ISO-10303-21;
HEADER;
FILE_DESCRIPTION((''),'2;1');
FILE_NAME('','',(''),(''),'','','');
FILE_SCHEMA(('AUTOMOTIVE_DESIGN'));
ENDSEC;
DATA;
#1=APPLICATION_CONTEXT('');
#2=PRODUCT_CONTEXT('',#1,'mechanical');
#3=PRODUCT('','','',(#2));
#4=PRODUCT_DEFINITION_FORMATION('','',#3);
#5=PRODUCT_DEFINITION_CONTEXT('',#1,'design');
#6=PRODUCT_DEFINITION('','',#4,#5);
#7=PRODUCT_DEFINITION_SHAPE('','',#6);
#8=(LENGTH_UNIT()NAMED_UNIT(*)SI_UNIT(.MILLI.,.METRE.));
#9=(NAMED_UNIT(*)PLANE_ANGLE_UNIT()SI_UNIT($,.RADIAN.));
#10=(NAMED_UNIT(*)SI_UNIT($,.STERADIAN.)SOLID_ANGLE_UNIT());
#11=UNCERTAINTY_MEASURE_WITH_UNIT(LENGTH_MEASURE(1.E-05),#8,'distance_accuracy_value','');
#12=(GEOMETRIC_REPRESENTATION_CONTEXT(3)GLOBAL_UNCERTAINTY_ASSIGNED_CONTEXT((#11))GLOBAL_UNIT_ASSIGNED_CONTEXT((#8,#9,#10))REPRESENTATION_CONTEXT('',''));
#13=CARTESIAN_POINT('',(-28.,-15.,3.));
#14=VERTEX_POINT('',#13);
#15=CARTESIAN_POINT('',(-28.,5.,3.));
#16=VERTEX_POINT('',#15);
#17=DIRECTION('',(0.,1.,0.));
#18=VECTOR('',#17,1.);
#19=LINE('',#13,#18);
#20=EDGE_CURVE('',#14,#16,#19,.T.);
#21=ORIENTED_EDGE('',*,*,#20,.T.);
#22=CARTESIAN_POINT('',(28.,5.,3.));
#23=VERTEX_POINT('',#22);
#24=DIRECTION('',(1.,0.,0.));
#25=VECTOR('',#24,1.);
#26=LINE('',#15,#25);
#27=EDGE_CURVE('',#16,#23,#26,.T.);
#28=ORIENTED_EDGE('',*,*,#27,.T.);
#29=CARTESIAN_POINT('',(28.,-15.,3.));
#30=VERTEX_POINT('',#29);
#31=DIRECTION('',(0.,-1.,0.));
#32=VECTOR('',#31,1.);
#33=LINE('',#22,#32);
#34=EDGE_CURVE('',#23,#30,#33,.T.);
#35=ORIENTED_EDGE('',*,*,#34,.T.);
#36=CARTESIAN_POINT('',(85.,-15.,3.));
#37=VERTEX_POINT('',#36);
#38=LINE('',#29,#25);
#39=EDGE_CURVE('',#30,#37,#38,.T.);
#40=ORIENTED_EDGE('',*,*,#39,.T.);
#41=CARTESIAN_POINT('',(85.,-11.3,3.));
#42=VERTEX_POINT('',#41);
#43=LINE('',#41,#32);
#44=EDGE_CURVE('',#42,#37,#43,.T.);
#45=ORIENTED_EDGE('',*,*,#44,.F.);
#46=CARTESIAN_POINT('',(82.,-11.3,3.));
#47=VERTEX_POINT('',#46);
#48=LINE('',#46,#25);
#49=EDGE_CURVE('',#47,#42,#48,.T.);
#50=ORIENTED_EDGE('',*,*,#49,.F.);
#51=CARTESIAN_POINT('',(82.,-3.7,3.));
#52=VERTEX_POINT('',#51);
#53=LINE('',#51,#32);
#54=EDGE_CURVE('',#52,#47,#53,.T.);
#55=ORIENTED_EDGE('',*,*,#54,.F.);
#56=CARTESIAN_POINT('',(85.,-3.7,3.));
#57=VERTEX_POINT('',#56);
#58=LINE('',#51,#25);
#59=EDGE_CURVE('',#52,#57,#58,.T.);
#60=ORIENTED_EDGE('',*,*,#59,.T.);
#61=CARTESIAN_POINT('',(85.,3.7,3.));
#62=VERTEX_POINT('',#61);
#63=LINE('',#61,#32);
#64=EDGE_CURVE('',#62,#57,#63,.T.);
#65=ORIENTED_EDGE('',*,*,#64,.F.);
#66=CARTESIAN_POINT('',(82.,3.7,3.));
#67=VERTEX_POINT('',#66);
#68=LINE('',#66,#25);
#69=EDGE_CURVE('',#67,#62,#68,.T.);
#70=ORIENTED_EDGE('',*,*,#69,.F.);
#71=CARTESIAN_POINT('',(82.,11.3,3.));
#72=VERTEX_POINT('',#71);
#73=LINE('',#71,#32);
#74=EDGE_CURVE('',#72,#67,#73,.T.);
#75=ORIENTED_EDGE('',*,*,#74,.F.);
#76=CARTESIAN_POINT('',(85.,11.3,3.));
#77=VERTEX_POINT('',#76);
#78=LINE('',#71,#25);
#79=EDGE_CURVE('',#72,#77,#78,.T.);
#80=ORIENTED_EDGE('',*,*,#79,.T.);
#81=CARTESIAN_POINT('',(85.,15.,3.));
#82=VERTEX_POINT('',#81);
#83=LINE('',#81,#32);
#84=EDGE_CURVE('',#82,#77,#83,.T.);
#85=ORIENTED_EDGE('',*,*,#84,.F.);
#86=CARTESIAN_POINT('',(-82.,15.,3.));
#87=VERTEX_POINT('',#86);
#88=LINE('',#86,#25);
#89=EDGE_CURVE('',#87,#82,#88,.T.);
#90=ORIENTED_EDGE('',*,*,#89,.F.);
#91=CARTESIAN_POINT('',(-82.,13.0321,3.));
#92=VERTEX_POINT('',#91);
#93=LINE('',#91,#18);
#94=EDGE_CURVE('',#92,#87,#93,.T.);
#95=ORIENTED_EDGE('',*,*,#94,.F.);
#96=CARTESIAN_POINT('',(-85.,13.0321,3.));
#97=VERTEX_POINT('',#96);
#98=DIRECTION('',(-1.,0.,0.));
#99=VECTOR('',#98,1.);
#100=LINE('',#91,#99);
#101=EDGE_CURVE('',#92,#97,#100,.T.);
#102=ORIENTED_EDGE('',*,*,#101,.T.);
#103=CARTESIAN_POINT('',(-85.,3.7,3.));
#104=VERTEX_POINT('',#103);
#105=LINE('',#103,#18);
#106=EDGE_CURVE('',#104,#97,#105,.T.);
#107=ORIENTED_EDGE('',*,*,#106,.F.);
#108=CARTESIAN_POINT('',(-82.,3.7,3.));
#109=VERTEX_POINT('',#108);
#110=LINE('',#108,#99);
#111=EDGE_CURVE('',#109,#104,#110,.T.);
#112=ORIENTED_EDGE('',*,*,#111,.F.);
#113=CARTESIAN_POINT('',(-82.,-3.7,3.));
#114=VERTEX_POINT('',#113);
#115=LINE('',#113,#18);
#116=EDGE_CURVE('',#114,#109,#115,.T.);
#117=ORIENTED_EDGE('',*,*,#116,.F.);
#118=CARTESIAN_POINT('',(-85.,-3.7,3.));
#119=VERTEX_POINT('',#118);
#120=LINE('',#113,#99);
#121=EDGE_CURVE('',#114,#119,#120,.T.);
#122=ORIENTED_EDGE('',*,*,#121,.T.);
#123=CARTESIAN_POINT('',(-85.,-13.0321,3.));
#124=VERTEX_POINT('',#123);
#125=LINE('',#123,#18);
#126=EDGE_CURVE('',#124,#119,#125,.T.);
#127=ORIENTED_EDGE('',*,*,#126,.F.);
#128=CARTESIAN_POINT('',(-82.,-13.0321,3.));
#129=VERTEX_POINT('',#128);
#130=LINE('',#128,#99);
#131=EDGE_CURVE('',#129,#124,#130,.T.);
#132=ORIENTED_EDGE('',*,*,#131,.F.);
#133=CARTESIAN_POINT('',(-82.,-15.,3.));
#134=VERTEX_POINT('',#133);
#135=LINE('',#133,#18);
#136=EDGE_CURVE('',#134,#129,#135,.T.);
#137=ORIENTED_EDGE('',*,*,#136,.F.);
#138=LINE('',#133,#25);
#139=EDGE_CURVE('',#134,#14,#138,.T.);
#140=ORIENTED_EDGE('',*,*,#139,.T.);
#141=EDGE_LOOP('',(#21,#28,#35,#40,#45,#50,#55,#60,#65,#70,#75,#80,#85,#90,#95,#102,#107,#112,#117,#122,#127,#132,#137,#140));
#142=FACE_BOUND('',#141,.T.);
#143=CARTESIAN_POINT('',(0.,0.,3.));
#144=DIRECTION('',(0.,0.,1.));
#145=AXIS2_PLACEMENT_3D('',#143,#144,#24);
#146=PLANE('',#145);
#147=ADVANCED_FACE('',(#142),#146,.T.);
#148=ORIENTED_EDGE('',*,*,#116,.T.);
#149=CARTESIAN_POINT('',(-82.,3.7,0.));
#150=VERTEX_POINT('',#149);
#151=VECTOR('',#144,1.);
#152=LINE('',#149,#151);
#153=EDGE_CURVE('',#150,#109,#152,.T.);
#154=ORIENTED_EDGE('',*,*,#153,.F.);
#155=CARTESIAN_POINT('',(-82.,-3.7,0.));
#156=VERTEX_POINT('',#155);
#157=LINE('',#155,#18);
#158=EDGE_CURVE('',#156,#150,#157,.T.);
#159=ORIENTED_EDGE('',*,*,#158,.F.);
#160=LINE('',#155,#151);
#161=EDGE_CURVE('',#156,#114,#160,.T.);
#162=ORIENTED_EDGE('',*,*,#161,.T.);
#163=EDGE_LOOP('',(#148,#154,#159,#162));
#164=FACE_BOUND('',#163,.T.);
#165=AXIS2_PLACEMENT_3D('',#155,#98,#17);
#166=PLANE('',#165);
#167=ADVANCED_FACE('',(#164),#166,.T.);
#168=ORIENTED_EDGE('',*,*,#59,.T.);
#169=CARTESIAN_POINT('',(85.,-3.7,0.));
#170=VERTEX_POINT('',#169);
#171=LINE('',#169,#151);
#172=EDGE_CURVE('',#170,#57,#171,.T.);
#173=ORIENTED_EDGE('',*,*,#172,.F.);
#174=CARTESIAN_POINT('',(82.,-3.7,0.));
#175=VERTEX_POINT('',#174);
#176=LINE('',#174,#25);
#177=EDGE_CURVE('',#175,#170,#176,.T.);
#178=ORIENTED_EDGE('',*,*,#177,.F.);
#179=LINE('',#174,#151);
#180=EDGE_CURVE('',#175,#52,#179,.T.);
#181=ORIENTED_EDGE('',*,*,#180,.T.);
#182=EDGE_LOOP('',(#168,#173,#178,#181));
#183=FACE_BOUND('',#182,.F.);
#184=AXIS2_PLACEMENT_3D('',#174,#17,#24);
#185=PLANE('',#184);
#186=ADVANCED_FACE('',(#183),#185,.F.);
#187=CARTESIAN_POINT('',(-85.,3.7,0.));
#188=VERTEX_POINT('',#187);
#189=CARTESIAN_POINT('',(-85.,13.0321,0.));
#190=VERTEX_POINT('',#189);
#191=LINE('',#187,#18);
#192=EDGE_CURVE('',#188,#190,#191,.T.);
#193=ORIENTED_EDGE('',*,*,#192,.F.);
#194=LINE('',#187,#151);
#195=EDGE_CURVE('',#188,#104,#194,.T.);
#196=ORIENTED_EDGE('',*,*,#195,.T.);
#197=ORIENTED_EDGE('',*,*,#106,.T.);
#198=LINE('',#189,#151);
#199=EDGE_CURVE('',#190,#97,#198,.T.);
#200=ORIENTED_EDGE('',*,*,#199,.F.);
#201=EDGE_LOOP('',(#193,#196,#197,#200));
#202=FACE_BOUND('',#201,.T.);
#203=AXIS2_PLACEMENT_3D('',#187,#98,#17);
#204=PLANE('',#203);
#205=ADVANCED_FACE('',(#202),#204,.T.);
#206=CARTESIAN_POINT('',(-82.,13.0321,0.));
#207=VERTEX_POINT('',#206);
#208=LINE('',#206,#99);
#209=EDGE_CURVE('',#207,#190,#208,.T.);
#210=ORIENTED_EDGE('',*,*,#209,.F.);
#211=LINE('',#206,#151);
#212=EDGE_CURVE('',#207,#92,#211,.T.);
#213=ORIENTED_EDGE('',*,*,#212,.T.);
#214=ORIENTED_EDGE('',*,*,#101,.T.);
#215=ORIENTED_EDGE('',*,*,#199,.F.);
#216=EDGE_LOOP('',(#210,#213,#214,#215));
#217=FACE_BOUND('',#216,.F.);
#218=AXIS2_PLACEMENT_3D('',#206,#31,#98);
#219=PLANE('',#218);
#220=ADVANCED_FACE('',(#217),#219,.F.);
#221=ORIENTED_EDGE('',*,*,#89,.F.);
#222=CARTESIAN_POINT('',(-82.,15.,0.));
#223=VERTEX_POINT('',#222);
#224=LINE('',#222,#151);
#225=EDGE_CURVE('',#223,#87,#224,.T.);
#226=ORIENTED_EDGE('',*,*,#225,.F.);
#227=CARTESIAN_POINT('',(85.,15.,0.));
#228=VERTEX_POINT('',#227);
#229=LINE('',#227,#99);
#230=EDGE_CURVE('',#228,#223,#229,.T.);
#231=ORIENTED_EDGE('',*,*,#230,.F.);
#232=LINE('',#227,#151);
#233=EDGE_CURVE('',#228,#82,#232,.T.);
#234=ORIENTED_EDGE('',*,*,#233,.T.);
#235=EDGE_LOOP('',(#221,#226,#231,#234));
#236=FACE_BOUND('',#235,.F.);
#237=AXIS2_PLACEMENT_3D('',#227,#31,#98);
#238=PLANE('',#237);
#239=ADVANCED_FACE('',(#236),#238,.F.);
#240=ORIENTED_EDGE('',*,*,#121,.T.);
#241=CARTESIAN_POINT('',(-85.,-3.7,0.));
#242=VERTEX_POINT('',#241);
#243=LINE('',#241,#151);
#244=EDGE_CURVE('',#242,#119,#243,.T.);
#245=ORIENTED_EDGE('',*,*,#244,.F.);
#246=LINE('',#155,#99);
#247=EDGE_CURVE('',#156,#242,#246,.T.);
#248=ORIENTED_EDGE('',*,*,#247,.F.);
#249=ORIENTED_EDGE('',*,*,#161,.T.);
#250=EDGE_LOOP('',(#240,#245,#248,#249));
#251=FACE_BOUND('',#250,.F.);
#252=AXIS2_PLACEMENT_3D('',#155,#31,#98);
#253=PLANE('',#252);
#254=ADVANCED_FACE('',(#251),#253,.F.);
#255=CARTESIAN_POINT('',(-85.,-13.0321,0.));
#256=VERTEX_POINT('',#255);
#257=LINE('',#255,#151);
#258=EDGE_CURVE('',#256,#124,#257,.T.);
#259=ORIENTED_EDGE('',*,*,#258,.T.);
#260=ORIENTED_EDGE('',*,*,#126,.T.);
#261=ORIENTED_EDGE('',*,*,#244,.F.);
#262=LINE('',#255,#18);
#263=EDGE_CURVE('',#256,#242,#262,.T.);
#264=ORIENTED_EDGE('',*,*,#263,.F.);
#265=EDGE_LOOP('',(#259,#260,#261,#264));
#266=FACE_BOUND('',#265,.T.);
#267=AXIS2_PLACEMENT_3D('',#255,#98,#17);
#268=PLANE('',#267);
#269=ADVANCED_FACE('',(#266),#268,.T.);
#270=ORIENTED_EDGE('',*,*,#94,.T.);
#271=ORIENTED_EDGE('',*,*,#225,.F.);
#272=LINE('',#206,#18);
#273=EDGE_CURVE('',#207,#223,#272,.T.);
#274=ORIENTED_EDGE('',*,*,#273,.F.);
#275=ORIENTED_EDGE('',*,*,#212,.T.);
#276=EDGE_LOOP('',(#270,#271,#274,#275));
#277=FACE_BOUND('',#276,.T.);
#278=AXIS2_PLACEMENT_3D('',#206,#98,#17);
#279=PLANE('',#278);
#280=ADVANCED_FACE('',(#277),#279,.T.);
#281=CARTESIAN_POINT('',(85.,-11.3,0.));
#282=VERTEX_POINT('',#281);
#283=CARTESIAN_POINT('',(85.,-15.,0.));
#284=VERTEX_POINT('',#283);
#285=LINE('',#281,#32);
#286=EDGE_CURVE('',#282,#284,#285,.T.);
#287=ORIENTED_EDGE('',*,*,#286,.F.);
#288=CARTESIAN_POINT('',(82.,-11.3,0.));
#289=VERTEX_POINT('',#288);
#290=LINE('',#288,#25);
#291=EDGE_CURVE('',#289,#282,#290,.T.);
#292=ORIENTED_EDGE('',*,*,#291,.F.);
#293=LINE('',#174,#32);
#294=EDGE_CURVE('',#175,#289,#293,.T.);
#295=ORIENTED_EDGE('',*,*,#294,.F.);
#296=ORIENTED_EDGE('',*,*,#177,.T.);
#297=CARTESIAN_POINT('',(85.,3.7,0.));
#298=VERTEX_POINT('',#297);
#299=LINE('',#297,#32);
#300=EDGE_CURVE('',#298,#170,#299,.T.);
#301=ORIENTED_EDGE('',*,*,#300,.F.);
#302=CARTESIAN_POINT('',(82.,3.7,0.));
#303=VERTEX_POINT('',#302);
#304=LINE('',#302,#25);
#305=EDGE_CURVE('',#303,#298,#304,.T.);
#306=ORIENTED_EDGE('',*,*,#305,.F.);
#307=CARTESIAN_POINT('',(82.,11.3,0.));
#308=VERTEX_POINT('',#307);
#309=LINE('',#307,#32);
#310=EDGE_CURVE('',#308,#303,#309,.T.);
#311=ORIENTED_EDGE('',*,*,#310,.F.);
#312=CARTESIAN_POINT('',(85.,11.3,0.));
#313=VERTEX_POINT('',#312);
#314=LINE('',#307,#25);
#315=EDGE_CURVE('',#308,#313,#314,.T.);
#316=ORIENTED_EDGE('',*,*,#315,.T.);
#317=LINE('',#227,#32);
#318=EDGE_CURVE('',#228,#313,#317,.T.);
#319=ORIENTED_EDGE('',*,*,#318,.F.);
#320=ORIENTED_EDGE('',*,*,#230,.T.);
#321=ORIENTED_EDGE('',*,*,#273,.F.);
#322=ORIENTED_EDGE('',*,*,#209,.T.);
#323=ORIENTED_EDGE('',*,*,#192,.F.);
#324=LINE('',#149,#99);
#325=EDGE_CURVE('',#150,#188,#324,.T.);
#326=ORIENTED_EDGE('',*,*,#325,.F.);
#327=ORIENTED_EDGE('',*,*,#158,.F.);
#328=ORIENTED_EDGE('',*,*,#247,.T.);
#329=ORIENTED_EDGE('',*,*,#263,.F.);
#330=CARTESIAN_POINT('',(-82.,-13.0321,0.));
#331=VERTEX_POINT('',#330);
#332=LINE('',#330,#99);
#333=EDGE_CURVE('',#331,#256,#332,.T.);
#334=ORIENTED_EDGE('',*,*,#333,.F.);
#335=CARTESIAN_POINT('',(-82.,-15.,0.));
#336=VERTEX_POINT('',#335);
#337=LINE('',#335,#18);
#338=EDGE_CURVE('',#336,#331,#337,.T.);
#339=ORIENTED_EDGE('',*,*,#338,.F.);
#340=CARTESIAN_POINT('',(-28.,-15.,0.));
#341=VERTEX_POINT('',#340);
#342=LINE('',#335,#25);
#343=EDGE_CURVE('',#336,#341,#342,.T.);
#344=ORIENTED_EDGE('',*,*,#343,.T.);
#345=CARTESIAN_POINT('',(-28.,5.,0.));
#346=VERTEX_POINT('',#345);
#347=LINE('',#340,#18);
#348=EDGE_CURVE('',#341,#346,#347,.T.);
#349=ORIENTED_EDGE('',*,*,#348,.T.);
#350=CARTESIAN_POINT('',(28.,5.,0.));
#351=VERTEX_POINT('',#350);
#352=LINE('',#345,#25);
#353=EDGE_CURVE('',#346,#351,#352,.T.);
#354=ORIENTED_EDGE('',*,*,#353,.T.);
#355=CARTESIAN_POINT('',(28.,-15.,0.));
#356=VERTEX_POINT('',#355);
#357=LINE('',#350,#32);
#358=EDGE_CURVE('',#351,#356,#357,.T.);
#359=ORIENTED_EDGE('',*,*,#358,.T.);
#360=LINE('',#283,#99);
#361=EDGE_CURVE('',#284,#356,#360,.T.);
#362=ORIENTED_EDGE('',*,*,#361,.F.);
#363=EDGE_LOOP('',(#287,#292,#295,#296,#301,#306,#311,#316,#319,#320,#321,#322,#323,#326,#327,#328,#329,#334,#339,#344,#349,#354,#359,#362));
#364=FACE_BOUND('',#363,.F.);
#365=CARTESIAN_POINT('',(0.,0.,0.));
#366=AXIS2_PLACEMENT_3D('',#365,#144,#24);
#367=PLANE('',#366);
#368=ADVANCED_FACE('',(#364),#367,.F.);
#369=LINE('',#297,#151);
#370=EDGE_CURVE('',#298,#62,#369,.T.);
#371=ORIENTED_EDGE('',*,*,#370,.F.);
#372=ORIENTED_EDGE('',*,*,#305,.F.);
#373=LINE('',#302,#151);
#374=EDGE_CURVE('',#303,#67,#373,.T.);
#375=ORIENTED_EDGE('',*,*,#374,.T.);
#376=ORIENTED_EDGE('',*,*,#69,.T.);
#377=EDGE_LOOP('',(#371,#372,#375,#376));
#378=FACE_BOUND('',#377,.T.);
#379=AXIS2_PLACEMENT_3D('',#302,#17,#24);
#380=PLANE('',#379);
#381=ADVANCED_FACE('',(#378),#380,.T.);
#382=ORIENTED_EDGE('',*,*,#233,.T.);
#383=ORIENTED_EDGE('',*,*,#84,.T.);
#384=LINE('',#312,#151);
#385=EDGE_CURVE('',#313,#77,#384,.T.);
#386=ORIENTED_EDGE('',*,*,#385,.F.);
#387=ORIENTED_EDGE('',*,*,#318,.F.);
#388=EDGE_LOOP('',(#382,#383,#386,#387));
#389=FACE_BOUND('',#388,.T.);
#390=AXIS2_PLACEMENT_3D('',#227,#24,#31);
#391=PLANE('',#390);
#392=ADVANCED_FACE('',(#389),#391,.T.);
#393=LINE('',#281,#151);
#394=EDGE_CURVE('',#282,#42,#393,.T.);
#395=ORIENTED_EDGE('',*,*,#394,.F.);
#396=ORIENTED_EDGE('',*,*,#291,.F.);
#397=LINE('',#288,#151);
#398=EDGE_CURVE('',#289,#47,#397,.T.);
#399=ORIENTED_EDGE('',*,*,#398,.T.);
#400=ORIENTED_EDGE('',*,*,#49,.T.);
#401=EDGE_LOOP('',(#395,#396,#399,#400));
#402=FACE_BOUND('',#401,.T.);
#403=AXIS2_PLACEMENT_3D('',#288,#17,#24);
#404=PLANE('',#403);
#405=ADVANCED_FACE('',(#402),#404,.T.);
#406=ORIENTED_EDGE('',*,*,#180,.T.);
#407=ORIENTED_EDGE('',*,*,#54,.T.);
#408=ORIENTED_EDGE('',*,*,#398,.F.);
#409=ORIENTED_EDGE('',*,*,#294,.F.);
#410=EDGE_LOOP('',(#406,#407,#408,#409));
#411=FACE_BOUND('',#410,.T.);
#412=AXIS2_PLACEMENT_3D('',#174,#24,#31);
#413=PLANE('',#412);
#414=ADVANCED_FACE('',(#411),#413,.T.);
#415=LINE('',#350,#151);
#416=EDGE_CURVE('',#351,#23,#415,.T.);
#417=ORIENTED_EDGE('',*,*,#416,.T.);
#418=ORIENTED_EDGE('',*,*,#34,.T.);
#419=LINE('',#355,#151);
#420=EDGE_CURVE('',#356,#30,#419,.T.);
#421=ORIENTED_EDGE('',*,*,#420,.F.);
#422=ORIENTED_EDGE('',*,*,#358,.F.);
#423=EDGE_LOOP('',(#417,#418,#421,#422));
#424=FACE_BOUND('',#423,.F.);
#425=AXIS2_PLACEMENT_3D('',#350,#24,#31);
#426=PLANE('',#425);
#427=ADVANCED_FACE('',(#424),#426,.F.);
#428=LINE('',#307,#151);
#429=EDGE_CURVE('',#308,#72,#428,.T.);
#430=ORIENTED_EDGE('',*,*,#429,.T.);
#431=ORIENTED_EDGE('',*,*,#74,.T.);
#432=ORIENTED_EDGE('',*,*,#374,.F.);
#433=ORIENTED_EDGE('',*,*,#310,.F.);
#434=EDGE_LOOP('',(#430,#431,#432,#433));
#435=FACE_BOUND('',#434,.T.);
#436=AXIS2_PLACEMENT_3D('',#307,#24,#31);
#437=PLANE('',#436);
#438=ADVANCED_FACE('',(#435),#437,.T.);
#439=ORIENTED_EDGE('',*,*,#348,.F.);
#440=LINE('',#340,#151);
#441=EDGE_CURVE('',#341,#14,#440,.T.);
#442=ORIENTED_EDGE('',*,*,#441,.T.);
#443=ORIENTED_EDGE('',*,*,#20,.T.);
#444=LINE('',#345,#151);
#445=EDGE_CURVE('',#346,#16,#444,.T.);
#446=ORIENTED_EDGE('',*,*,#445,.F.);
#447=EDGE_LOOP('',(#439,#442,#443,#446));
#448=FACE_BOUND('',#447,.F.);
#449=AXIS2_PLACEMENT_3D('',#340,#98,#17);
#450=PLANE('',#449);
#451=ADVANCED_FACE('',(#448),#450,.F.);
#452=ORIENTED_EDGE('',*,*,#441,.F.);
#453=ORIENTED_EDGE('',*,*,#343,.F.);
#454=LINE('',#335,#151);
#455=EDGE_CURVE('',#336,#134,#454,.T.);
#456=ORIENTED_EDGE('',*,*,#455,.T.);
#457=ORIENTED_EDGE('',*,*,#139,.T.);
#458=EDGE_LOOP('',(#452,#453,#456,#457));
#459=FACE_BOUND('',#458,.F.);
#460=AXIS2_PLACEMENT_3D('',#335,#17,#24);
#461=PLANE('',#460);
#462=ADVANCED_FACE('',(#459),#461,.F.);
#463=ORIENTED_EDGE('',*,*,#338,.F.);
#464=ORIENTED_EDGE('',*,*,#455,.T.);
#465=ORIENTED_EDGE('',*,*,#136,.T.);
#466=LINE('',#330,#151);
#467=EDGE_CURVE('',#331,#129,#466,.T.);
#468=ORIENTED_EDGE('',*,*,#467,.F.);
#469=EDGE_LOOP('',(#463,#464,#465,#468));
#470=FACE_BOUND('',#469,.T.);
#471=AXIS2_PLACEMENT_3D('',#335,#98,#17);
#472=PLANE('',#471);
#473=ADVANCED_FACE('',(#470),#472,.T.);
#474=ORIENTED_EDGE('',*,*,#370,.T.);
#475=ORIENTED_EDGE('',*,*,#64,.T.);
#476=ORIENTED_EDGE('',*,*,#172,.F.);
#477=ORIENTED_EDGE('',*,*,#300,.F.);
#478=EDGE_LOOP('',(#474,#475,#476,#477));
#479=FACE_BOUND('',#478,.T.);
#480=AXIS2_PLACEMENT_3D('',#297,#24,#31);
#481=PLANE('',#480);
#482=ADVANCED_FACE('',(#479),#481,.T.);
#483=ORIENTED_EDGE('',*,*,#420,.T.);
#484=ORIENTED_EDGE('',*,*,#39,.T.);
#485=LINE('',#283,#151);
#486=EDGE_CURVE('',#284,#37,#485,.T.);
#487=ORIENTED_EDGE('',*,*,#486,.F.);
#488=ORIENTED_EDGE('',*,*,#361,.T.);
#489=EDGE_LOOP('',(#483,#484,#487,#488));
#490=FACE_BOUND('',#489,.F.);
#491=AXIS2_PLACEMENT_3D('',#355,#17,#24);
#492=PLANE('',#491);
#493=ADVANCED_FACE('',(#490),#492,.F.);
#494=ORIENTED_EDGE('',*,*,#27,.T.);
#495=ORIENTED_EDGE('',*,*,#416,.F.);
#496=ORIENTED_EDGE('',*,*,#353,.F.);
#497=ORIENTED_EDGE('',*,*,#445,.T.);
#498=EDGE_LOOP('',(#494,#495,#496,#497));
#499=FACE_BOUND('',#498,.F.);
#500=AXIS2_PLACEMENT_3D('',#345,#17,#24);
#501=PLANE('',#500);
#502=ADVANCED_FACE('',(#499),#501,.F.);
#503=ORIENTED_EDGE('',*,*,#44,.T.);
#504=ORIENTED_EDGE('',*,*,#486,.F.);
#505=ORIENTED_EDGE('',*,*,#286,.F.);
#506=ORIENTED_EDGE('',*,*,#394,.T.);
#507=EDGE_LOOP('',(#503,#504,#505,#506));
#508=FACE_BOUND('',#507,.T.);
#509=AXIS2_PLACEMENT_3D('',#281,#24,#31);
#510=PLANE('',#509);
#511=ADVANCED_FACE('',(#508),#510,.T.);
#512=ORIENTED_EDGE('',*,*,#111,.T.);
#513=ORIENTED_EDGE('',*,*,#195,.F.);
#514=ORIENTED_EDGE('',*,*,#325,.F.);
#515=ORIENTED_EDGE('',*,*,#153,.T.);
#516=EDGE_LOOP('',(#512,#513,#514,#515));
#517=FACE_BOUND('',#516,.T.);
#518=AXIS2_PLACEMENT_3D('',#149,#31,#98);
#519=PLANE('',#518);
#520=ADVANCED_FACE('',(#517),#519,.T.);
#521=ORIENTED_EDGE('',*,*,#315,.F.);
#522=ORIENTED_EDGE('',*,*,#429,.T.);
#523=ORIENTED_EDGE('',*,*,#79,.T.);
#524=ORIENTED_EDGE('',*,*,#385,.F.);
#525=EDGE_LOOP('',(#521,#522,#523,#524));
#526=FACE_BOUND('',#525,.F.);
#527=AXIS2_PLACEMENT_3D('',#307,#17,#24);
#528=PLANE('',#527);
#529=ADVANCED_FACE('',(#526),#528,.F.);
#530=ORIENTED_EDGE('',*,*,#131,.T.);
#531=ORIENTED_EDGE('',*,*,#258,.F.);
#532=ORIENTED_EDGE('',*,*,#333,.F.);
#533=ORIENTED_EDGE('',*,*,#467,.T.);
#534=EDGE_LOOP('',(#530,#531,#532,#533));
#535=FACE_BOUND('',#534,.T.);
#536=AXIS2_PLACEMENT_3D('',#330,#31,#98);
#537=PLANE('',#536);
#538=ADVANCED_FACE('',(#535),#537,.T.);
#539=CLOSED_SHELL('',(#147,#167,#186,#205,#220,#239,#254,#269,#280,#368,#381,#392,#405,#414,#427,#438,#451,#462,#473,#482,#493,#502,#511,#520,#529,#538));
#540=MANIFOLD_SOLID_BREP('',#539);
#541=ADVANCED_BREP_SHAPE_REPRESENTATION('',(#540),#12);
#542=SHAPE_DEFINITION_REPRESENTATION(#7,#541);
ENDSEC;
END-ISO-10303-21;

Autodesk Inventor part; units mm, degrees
ref_plane "YZ Plane" through (0, 0, 0) normal (1, 0, 0) x (0, 1, 0)
ref_plane "XZ Plane" through (0, 0, 0) normal (0, 1, 0) x (-1, 0, 0)
ref_plane "XY Plane" through (0, 0, 0) normal (0, 0, 1) x (1, 0, 0)
sketch "Boceto1" plane through (0, 0, 0) normal (0, 0, 1) x (1, 0, 0)
  line L0 (85, 15) -> (-82, 15)
  line L1 (-85, -15) -> (85, 15) construction
  line L2 (85, -15) -> (-85, 15) construction
  line L3 (-28, -15) -> (-28, 5)
  line L4 (28, 5) -> (28, -15)
  line L5 (-28, 5) -> (28, 5)
  line L6 (-82, -15) -> (-28, -15)
  line L7 (28, -15) -> (85, -15)
  line L8 (-82, -13.0321) -> (-82, -3.7)
  line L9 (-82, -3.7) -> (-85, -3.7) projected
  line L10 (-85, -13.0321) -> (-85, -3.7) projected
  line L11 (-82, -13.0321) -> (-85, -13.0321) projected
  line L12 (-82, 3.7) -> (-82, 13.0321)
  line L13 (-82, 13.0321) -> (-85, 13.0321) projected
  line L14 (-85, 3.7) -> (-85, 13.0321) projected
  line L15 (-82, 3.7) -> (-85, 3.7) projected
  line L16 (-82, -3.7) -> (-82, 3.7) projected
  line L17 (-82, 13.0321) -> (-82, 15) projected
  line L18 (-82, -15) -> (-82, -13.0321) projected
  line L19 (82, 15) -> (82, 11.3) projected
  line L20 (82, 11.3) -> (85, 11.3) projected
  line L21 (85, 15) -> (85, 11.3) projected
  line L22 (82, 15) -> (85, 15) projected
  line L23 (82, 3.7) -> (82, -3.7) projected
  line L24 (82, -3.7) -> (85, -3.7) projected
  line L25 (85, 3.7) -> (85, -3.7) projected
  line L26 (82, 3.7) -> (85, 3.7) projected
  line L27 (82, -11.3) -> (82, -15) projected
  line L28 (82, -15) -> (85, -15) projected
  line L29 (85, -11.3) -> (85, -15) projected
  line L30 (82, -11.3) -> (85, -11.3) projected
  line L31 (82, -3.7) -> (82, -11.3) projected
  line L32 (82, 11.3) -> (82, 3.7) projected
  point P0 (0, 0)
  point P1 (28, 0)
  dimension "d0" = 30
  dimension "d1" = 170
  dimension "d7" = 20
  dimension "d11" = 30
extrude "Extrusión1" add sketch "Boceto1" along normal blind 3
